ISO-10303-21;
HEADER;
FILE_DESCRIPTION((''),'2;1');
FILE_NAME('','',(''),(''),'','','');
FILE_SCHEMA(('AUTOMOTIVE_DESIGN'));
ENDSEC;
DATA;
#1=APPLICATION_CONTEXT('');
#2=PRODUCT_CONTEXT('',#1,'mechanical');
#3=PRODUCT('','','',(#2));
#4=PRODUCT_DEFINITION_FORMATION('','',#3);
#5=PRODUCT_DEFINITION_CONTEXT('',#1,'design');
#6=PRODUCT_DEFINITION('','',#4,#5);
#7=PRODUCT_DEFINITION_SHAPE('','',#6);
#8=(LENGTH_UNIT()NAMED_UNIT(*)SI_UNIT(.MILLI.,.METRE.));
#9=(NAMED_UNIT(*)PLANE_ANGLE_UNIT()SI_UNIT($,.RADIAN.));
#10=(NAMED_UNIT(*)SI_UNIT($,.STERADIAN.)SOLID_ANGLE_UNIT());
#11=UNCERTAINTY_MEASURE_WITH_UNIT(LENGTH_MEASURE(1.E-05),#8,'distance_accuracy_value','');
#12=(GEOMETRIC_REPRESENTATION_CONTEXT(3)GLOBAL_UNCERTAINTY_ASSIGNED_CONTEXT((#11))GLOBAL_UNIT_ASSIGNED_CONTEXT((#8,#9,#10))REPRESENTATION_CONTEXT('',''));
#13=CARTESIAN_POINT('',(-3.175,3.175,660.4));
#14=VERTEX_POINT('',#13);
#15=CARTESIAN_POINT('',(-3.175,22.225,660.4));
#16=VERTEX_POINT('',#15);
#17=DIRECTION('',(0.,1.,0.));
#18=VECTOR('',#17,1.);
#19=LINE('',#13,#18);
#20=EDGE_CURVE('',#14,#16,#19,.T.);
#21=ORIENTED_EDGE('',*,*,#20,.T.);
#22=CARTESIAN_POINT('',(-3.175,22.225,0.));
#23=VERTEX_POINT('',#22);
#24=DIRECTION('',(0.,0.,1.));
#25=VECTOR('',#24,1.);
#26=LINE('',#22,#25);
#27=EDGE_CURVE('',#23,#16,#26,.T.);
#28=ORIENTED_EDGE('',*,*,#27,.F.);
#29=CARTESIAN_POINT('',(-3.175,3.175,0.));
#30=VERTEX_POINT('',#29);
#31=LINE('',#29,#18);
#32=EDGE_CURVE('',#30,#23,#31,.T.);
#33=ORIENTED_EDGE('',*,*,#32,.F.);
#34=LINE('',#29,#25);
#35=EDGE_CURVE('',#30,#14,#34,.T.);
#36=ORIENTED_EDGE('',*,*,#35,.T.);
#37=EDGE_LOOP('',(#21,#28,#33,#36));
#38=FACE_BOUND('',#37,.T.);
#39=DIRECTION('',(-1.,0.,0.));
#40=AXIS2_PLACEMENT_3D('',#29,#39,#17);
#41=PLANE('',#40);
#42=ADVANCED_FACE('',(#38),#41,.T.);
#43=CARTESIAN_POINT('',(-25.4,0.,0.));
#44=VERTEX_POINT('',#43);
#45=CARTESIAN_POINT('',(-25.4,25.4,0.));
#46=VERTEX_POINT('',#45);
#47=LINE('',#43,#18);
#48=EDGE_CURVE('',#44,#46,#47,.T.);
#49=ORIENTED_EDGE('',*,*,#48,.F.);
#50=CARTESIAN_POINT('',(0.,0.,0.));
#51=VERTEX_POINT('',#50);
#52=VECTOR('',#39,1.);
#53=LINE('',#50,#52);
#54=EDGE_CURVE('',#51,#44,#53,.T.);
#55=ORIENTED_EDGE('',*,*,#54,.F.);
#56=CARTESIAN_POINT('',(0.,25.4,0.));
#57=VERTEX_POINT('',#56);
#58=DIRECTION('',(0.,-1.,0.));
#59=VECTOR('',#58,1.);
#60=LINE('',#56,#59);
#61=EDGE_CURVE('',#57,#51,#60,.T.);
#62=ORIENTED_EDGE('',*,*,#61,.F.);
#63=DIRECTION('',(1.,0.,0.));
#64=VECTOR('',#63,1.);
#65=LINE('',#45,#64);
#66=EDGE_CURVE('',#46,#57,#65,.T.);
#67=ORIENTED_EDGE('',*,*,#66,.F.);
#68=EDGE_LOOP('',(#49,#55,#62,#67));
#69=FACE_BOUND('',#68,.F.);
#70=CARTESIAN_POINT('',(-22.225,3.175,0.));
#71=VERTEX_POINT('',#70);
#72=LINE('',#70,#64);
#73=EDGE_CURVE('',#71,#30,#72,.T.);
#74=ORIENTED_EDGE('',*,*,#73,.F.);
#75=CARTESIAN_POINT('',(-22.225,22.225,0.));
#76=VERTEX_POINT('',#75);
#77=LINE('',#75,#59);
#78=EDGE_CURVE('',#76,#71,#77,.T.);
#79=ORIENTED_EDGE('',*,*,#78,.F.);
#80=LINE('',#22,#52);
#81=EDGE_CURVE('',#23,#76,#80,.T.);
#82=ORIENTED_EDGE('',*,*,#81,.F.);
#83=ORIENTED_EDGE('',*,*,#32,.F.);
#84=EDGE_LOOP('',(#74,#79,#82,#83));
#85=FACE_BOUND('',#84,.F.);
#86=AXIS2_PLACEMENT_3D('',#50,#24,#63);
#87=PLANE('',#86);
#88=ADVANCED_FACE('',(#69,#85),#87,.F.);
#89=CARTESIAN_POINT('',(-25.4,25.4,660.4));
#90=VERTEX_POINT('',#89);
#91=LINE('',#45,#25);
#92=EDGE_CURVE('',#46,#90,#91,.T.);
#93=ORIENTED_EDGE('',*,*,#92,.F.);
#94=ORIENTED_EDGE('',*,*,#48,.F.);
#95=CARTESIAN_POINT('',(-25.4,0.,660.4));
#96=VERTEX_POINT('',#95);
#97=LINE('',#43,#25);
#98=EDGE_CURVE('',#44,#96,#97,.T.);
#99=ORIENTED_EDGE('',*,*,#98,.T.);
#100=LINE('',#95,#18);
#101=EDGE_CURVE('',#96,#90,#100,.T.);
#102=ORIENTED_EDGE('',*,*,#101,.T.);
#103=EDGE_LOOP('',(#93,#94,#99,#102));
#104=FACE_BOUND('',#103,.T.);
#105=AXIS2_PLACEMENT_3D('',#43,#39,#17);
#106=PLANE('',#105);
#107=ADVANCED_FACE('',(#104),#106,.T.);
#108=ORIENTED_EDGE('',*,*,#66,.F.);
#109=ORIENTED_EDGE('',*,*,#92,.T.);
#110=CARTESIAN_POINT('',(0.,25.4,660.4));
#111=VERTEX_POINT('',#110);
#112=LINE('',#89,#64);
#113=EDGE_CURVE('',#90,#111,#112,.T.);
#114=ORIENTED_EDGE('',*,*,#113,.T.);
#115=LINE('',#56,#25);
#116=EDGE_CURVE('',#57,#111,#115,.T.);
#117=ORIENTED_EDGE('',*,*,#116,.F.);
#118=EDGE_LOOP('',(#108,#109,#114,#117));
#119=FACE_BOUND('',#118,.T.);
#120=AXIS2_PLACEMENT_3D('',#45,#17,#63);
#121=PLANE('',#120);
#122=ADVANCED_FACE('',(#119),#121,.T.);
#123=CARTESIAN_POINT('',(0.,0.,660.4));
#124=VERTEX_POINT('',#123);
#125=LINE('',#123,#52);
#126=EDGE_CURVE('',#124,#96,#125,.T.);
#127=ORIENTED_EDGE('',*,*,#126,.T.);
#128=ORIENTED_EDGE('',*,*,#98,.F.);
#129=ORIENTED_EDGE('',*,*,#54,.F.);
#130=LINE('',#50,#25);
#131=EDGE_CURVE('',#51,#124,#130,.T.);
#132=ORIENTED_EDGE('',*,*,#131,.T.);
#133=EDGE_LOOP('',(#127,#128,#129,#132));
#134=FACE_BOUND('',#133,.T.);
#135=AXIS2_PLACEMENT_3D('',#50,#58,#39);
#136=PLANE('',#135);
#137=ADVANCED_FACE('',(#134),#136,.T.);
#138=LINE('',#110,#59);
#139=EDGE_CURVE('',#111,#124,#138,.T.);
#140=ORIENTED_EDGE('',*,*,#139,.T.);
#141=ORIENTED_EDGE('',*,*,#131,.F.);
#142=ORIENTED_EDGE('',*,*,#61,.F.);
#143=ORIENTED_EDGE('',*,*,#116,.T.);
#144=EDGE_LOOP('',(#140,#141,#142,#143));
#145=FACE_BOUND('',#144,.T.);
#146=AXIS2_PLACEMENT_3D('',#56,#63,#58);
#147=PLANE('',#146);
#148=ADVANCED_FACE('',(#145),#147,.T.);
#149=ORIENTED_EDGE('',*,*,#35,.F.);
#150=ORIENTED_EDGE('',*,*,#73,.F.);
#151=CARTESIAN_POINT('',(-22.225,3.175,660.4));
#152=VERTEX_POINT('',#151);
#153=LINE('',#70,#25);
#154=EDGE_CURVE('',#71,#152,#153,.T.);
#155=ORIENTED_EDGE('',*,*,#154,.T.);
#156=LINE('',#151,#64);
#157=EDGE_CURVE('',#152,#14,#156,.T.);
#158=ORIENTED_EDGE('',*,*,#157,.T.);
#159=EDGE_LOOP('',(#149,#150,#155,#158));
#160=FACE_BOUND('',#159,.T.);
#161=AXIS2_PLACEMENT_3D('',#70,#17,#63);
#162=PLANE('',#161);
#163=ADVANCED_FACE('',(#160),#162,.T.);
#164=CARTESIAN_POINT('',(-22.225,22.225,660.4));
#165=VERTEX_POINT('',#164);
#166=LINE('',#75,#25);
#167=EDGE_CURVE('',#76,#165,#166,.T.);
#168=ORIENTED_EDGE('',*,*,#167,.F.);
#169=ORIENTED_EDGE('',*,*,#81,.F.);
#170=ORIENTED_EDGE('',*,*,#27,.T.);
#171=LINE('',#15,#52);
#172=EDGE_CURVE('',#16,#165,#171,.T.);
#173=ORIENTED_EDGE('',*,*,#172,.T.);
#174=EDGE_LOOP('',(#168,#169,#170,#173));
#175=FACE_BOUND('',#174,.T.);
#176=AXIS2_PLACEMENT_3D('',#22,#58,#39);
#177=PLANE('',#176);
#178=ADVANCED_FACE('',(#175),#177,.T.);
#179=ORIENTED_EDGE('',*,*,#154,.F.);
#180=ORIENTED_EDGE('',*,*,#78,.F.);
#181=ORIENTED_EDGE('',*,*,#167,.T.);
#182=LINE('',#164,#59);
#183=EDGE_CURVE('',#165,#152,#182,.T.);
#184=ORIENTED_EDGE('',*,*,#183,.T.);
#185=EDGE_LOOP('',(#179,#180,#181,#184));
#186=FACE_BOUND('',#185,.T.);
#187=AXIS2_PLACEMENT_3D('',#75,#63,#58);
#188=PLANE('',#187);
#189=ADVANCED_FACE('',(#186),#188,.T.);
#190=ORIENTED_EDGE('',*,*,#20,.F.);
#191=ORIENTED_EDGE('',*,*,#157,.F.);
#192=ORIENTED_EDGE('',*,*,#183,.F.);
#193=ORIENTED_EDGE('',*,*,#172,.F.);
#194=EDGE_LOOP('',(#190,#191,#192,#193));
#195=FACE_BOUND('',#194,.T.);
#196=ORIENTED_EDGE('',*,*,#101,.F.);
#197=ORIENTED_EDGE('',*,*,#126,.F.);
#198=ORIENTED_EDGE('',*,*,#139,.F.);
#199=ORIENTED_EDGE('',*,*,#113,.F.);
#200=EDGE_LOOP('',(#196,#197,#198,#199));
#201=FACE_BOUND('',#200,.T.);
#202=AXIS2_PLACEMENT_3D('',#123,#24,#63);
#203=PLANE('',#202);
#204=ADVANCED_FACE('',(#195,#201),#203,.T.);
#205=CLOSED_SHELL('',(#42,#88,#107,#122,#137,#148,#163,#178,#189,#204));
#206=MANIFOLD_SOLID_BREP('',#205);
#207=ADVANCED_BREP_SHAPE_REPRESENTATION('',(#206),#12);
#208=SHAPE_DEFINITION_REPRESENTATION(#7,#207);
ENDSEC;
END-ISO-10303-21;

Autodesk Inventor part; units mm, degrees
ref_plane "YZ Plane" through (0, 0, 0) normal (1, 0, 0) x (0, 1, 0)
ref_plane "XZ Plane" through (0, 0, 0) normal (0, 1, 0) x (-1, 0, 0)
ref_plane "XY Plane" through (0, 0, 0) normal (0, 0, 1) x (1, 0, 0)
sketch "Sketch1" plane through (0, 0, 0) normal (0, 0, 1) x (1, 0, 0)
  line L0 (0, 0) -> (-25.4, 0)
  line L1 (-25.4, 0) -> (-25.4, 25.4)
  line L2 (-25.4, 25.4) -> (0, 25.4)
  line L3 (0, 25.4) -> (0, 0)
  line L4 (-3.175, 22.225) -> (-22.225, 22.225)
  line L5 (-22.225, 22.225) -> (-22.225, 3.175)
  line L6 (-22.225, 3.175) -> (-3.175, 3.175)
  line L7 (-3.175, 3.175) -> (-3.175, 22.225)
  dimension "d0" = 25.4
  dimension "d2" = 25.4
  dimension "d3" = 3.175
extrude "Extrusion1" add sketch "Sketch1" along normal blind 660.4
sketch "Sketch2" plane through (0, 0, 0) normal (1, 0, 0) x (0, 0, -1)
  line L0 (0, 25.4) -> (0, 0) projected
  line L1 (0, 25.4) -> (-660.4, 25.4) projected
  line L2 (-660.4, 0) -> (-660.4, 25.4) projected
  line L3 (0, 0) -> (-660.4, 0) projected
  line L4 (-113.1604, 25.4) -> (-351.652, -111.264)
  line L5 (-351.652, -111.264) -> (-415.4102, 0)
  line L6 (-113.1604, 0) -> (0, 0)
  line L7 (-113.1604, 25.4) -> (0, 25.4)
  line L8 (0, 25.4) -> (0, 0)
  line L9 (-444.6849, 0) -> (-660.4, 0)
  line L10 (-660.4, 0) -> (-660.4, 25.4)
  line L11 (-660.4, 25.4) -> (-429.9653, 25.4)
  line L12 (-429.9653, 25.4) -> (-415.4102, 0)
  line L13 (-113.1604, 25.4) -> (-100.5318, 3.3619)
  line L14 (-100.5318, 3.3619) -> (-361.0615, -145.9308)
  line L15 (-361.0615, -145.9308) -> (-444.6849, 0)
  dimension "d6" = 25.4
  dimension "d9" = 25.4
  dimension "d12" = 25.4
properties part number "bar"
